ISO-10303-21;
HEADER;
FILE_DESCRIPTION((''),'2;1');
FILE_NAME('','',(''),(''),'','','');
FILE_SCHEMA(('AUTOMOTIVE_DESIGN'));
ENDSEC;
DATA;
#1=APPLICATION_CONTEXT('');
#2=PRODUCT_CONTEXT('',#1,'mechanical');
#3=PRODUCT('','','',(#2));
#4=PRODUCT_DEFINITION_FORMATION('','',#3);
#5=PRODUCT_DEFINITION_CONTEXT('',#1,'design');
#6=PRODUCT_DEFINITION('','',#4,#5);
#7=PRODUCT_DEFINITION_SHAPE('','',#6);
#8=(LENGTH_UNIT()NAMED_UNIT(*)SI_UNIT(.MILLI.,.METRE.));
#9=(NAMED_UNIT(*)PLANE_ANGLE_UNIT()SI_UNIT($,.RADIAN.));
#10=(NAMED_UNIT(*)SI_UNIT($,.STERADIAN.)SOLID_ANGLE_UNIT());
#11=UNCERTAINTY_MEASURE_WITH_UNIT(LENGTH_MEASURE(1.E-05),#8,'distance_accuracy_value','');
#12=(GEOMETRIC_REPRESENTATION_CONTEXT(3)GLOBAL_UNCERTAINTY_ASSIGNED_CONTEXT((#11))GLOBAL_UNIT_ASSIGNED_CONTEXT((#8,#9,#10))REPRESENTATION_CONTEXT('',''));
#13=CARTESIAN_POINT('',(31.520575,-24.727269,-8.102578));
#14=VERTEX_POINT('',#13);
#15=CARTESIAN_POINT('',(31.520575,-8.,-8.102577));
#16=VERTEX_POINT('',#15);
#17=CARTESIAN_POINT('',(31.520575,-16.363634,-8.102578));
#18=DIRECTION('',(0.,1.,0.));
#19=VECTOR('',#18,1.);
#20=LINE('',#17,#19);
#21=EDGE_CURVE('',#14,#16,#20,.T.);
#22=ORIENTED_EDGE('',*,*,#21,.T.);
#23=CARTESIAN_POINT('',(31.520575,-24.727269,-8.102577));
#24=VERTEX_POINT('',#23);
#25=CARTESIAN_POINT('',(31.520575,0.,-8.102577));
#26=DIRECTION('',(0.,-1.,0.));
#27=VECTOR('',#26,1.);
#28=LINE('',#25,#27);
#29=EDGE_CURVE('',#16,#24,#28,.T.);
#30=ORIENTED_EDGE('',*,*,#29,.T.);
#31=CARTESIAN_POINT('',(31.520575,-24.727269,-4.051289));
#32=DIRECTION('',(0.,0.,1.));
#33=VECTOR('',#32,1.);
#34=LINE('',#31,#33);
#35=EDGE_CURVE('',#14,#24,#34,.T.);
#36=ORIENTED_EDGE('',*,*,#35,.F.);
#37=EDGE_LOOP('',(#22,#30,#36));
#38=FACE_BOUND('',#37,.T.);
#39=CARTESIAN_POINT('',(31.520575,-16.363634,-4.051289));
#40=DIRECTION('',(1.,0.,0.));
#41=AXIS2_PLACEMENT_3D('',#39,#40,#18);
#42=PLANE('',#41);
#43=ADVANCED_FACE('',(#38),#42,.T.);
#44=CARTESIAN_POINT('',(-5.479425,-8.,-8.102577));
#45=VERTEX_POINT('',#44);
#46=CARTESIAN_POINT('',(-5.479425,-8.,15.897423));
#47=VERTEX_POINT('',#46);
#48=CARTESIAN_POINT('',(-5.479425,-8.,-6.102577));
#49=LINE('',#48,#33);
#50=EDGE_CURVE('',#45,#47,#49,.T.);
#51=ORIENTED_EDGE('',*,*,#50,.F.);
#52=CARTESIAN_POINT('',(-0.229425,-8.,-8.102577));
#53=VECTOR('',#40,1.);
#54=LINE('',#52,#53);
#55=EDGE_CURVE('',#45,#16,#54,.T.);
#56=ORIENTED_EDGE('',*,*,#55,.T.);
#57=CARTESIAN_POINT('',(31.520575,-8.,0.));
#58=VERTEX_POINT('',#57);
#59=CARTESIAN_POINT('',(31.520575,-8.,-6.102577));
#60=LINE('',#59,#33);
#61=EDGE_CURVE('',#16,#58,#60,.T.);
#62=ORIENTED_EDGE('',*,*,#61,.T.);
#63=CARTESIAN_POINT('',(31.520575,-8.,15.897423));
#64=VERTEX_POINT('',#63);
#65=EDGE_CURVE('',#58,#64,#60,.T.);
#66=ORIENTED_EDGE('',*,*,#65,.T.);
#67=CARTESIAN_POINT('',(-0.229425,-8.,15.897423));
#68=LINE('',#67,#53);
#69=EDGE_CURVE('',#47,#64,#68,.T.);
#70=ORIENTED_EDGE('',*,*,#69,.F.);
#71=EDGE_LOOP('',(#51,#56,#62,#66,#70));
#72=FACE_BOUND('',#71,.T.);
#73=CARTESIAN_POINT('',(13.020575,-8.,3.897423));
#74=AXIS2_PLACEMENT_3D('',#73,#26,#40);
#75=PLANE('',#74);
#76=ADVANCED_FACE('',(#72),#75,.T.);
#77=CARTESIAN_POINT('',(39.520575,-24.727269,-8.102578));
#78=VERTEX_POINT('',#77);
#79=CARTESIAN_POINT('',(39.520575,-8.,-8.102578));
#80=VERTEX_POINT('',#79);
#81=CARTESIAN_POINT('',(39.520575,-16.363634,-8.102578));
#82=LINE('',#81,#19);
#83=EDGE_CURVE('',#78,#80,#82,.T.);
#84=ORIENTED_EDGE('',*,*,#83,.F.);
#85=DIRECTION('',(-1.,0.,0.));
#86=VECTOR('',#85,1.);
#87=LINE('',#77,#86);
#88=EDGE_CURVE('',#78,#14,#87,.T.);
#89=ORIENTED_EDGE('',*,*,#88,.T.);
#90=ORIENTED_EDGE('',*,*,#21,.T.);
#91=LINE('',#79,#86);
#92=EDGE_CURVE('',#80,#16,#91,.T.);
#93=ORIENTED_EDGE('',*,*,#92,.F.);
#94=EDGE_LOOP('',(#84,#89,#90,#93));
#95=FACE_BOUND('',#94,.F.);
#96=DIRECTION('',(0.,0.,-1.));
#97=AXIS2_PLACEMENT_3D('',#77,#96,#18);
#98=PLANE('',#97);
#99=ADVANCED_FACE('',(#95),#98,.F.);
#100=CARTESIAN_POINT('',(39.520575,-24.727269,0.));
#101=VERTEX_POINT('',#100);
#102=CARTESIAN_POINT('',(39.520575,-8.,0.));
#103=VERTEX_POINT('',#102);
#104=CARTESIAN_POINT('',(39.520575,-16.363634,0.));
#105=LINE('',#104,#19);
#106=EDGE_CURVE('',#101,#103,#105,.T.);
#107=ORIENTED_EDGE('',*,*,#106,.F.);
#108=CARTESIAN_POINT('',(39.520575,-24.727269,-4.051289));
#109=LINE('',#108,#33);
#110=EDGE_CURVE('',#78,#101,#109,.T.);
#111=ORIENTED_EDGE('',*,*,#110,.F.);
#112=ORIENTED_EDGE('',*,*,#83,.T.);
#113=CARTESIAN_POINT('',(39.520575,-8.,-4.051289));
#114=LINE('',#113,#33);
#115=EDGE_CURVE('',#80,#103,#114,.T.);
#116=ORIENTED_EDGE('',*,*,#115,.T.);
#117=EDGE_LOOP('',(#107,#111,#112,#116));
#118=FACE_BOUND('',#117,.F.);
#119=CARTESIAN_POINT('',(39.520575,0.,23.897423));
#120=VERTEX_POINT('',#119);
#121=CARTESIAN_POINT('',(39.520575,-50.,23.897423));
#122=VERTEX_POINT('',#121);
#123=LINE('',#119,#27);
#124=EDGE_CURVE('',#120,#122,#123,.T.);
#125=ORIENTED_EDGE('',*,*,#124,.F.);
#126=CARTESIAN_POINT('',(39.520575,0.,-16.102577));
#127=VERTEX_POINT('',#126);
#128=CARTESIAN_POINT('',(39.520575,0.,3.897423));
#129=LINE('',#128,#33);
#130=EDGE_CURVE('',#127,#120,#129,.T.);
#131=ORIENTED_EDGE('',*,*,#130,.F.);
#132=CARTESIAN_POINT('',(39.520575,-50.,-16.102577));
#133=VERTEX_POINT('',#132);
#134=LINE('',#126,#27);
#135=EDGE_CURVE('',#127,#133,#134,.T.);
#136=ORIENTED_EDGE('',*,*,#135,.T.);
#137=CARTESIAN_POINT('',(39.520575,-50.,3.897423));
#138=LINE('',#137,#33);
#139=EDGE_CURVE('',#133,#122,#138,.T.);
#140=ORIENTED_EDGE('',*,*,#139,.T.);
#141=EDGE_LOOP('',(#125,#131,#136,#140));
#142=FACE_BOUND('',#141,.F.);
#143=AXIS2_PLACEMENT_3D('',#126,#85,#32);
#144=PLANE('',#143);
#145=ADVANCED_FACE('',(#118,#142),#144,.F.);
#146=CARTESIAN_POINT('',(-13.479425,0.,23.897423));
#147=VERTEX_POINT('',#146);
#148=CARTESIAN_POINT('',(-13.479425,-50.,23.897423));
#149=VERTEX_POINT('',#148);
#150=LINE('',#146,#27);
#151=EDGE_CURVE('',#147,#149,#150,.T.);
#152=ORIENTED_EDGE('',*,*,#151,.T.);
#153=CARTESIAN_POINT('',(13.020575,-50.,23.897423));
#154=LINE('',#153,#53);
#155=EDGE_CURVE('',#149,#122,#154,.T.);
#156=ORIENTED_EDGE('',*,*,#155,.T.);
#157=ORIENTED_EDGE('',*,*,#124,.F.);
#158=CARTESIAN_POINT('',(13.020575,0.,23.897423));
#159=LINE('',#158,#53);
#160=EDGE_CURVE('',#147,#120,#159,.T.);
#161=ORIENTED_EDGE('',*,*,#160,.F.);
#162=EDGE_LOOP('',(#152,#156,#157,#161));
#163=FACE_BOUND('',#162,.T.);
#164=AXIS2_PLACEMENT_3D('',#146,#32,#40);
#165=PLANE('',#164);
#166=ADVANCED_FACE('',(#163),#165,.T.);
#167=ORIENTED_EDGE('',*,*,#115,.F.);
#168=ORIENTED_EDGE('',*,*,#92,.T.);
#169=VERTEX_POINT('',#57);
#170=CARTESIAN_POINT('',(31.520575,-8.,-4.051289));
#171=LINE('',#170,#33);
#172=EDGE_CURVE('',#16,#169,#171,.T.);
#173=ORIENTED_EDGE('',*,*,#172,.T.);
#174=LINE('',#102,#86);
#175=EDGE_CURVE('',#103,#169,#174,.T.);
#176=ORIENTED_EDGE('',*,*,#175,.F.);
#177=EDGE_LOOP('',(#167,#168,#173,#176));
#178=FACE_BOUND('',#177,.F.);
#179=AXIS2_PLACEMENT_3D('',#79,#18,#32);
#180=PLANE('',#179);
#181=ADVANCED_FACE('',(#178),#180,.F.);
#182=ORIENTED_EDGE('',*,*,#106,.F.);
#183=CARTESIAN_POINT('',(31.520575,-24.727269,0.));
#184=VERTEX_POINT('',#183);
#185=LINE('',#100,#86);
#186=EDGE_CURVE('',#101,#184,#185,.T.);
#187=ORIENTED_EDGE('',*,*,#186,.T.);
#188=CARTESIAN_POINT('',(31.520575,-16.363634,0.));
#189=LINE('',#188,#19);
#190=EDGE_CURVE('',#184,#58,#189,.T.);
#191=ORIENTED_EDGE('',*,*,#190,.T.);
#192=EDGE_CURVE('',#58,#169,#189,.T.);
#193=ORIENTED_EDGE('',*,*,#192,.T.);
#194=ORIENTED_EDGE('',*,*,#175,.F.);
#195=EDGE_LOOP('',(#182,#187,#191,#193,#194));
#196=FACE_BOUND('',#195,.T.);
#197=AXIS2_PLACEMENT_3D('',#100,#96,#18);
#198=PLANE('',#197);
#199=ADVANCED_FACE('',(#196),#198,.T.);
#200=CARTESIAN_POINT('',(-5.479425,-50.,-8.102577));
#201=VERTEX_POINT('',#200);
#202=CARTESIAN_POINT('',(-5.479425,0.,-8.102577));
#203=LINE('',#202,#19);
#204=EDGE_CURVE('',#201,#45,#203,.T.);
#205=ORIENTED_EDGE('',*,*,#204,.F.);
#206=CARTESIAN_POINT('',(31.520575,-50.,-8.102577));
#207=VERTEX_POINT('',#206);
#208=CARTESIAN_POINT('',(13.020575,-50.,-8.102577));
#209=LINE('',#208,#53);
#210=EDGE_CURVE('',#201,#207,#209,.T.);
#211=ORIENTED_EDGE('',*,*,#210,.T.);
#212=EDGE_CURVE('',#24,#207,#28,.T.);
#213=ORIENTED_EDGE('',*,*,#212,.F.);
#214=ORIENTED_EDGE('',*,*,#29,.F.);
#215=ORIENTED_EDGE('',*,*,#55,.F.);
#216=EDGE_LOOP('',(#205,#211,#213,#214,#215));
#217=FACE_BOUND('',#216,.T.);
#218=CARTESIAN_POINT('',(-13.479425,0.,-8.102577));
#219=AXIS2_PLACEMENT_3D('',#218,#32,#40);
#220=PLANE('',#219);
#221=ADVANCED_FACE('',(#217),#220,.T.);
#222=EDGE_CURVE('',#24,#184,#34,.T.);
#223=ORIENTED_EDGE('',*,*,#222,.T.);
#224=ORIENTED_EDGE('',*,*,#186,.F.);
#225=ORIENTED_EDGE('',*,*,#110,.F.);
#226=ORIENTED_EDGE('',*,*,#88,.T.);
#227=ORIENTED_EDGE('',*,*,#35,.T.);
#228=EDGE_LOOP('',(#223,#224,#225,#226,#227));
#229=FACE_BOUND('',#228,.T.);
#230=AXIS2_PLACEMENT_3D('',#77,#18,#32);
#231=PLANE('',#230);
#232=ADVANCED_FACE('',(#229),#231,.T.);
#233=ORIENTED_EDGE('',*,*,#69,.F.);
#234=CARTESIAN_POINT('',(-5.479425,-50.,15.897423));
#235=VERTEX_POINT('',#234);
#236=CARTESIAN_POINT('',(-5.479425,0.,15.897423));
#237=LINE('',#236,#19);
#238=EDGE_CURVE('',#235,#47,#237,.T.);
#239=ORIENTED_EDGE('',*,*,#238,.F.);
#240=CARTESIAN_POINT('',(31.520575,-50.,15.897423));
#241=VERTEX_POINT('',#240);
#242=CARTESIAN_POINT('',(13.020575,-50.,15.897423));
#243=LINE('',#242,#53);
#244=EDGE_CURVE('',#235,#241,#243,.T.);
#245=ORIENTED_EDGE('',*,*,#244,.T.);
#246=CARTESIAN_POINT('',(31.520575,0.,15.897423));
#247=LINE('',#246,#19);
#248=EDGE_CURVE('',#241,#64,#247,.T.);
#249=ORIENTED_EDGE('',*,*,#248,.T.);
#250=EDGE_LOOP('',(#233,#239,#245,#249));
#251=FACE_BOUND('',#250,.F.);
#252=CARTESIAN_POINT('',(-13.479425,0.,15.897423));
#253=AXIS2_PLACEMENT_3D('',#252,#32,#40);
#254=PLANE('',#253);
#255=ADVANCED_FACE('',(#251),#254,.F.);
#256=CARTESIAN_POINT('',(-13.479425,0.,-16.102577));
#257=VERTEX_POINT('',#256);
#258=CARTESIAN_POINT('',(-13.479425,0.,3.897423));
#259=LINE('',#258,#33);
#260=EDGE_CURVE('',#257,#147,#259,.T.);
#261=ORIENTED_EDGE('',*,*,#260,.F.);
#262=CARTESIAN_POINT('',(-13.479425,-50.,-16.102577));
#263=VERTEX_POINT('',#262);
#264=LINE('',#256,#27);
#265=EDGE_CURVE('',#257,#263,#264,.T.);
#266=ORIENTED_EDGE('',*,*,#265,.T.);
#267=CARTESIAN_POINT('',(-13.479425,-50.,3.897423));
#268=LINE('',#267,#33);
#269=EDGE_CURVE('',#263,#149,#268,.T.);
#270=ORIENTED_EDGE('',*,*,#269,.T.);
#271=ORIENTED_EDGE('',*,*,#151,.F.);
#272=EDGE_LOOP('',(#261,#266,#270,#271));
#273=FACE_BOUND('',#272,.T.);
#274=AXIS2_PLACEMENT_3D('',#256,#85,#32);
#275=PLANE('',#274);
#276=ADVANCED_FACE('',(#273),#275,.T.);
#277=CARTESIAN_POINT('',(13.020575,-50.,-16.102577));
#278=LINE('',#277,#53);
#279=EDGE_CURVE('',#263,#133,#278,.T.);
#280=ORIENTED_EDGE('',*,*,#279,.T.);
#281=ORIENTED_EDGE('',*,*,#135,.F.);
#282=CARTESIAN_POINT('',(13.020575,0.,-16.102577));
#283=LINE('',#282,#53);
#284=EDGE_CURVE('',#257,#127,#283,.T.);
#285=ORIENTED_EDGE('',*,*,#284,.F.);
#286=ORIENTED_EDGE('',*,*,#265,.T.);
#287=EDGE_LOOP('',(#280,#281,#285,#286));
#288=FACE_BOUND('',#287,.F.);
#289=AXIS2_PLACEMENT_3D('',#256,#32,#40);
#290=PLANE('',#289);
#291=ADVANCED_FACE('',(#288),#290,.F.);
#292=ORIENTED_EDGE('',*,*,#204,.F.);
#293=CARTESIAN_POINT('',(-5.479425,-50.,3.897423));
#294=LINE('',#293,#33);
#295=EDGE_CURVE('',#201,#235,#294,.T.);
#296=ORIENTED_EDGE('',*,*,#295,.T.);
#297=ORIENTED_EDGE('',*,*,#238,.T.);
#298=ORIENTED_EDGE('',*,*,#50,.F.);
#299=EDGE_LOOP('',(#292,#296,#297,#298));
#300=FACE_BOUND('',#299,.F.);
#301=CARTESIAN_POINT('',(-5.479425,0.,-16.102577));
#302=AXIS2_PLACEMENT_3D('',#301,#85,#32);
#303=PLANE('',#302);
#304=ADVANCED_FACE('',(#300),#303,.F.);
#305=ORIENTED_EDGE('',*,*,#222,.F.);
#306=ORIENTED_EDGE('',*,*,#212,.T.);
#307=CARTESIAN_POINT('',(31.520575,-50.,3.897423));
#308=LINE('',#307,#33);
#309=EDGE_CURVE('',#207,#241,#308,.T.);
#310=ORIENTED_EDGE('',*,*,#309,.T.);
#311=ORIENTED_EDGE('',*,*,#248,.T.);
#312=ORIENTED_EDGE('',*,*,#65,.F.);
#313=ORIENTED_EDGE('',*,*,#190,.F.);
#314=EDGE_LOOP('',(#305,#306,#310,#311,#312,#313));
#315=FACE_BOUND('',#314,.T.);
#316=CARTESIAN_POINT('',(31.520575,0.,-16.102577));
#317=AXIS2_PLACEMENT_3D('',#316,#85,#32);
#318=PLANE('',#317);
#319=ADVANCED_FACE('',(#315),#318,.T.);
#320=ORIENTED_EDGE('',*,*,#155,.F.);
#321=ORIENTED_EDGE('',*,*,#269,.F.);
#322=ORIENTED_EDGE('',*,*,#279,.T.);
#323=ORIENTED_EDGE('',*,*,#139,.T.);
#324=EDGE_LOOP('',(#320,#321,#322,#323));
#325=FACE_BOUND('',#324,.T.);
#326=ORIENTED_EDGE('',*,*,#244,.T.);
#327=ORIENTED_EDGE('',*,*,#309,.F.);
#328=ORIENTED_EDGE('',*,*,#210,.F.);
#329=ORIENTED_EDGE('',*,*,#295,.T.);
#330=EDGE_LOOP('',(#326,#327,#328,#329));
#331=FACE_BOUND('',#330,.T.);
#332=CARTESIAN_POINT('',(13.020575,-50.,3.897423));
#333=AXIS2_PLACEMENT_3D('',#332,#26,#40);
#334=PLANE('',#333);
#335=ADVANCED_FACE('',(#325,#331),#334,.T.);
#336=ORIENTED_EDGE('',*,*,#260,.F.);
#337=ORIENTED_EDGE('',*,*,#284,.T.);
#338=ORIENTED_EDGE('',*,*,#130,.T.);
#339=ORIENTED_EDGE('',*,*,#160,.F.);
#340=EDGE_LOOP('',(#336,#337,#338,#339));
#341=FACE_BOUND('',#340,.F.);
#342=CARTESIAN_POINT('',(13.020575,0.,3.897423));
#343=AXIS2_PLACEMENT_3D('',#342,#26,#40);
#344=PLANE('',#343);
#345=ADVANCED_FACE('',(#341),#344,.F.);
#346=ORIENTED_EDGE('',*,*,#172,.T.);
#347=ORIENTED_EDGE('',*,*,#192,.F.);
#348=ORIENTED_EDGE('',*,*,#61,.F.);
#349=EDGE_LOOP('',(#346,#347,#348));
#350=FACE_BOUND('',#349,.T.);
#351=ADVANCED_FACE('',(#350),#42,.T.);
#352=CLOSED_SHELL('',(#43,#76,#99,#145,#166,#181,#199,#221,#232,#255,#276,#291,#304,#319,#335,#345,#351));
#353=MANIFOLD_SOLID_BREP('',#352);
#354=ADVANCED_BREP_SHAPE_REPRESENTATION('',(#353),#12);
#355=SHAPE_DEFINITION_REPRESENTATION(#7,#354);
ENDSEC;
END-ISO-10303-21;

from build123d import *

# Parameters (mm, degrees)
F0_W     = 53
F0_H     = 40
F1_DEPTH = 50
F2_T     = -8
F3_W     = 16.727269
F3_H     = 8.102577
F4_DEPTH = 8


with BuildPart() as f1:
    # F0 (on Front) → F1 (new body)
    with BuildSketch(Plane.XZ):
        with Locations((13.020575, 3.897423)):
            Rectangle(F0_W, F0_H)
    extrude(amount=F1_DEPTH)

    # F2
    f2_openings = [f1.faces().sort_by_distance(p)[0] for p in [
        (13.020575, -50, 3.897423),
    ]]
    offset(amount=F2_T, openings=f2_openings)

    # F3 (on face) → F4 (cut)
    with BuildSketch(Plane.YZ.offset(39.520575)):
        with Locations((-16.363634, -4.051289)):
            Rectangle(F3_W, F3_H)
    extrude(amount=-F4_DEPTH, mode=Mode.SUBTRACT)


solid = f1.part
